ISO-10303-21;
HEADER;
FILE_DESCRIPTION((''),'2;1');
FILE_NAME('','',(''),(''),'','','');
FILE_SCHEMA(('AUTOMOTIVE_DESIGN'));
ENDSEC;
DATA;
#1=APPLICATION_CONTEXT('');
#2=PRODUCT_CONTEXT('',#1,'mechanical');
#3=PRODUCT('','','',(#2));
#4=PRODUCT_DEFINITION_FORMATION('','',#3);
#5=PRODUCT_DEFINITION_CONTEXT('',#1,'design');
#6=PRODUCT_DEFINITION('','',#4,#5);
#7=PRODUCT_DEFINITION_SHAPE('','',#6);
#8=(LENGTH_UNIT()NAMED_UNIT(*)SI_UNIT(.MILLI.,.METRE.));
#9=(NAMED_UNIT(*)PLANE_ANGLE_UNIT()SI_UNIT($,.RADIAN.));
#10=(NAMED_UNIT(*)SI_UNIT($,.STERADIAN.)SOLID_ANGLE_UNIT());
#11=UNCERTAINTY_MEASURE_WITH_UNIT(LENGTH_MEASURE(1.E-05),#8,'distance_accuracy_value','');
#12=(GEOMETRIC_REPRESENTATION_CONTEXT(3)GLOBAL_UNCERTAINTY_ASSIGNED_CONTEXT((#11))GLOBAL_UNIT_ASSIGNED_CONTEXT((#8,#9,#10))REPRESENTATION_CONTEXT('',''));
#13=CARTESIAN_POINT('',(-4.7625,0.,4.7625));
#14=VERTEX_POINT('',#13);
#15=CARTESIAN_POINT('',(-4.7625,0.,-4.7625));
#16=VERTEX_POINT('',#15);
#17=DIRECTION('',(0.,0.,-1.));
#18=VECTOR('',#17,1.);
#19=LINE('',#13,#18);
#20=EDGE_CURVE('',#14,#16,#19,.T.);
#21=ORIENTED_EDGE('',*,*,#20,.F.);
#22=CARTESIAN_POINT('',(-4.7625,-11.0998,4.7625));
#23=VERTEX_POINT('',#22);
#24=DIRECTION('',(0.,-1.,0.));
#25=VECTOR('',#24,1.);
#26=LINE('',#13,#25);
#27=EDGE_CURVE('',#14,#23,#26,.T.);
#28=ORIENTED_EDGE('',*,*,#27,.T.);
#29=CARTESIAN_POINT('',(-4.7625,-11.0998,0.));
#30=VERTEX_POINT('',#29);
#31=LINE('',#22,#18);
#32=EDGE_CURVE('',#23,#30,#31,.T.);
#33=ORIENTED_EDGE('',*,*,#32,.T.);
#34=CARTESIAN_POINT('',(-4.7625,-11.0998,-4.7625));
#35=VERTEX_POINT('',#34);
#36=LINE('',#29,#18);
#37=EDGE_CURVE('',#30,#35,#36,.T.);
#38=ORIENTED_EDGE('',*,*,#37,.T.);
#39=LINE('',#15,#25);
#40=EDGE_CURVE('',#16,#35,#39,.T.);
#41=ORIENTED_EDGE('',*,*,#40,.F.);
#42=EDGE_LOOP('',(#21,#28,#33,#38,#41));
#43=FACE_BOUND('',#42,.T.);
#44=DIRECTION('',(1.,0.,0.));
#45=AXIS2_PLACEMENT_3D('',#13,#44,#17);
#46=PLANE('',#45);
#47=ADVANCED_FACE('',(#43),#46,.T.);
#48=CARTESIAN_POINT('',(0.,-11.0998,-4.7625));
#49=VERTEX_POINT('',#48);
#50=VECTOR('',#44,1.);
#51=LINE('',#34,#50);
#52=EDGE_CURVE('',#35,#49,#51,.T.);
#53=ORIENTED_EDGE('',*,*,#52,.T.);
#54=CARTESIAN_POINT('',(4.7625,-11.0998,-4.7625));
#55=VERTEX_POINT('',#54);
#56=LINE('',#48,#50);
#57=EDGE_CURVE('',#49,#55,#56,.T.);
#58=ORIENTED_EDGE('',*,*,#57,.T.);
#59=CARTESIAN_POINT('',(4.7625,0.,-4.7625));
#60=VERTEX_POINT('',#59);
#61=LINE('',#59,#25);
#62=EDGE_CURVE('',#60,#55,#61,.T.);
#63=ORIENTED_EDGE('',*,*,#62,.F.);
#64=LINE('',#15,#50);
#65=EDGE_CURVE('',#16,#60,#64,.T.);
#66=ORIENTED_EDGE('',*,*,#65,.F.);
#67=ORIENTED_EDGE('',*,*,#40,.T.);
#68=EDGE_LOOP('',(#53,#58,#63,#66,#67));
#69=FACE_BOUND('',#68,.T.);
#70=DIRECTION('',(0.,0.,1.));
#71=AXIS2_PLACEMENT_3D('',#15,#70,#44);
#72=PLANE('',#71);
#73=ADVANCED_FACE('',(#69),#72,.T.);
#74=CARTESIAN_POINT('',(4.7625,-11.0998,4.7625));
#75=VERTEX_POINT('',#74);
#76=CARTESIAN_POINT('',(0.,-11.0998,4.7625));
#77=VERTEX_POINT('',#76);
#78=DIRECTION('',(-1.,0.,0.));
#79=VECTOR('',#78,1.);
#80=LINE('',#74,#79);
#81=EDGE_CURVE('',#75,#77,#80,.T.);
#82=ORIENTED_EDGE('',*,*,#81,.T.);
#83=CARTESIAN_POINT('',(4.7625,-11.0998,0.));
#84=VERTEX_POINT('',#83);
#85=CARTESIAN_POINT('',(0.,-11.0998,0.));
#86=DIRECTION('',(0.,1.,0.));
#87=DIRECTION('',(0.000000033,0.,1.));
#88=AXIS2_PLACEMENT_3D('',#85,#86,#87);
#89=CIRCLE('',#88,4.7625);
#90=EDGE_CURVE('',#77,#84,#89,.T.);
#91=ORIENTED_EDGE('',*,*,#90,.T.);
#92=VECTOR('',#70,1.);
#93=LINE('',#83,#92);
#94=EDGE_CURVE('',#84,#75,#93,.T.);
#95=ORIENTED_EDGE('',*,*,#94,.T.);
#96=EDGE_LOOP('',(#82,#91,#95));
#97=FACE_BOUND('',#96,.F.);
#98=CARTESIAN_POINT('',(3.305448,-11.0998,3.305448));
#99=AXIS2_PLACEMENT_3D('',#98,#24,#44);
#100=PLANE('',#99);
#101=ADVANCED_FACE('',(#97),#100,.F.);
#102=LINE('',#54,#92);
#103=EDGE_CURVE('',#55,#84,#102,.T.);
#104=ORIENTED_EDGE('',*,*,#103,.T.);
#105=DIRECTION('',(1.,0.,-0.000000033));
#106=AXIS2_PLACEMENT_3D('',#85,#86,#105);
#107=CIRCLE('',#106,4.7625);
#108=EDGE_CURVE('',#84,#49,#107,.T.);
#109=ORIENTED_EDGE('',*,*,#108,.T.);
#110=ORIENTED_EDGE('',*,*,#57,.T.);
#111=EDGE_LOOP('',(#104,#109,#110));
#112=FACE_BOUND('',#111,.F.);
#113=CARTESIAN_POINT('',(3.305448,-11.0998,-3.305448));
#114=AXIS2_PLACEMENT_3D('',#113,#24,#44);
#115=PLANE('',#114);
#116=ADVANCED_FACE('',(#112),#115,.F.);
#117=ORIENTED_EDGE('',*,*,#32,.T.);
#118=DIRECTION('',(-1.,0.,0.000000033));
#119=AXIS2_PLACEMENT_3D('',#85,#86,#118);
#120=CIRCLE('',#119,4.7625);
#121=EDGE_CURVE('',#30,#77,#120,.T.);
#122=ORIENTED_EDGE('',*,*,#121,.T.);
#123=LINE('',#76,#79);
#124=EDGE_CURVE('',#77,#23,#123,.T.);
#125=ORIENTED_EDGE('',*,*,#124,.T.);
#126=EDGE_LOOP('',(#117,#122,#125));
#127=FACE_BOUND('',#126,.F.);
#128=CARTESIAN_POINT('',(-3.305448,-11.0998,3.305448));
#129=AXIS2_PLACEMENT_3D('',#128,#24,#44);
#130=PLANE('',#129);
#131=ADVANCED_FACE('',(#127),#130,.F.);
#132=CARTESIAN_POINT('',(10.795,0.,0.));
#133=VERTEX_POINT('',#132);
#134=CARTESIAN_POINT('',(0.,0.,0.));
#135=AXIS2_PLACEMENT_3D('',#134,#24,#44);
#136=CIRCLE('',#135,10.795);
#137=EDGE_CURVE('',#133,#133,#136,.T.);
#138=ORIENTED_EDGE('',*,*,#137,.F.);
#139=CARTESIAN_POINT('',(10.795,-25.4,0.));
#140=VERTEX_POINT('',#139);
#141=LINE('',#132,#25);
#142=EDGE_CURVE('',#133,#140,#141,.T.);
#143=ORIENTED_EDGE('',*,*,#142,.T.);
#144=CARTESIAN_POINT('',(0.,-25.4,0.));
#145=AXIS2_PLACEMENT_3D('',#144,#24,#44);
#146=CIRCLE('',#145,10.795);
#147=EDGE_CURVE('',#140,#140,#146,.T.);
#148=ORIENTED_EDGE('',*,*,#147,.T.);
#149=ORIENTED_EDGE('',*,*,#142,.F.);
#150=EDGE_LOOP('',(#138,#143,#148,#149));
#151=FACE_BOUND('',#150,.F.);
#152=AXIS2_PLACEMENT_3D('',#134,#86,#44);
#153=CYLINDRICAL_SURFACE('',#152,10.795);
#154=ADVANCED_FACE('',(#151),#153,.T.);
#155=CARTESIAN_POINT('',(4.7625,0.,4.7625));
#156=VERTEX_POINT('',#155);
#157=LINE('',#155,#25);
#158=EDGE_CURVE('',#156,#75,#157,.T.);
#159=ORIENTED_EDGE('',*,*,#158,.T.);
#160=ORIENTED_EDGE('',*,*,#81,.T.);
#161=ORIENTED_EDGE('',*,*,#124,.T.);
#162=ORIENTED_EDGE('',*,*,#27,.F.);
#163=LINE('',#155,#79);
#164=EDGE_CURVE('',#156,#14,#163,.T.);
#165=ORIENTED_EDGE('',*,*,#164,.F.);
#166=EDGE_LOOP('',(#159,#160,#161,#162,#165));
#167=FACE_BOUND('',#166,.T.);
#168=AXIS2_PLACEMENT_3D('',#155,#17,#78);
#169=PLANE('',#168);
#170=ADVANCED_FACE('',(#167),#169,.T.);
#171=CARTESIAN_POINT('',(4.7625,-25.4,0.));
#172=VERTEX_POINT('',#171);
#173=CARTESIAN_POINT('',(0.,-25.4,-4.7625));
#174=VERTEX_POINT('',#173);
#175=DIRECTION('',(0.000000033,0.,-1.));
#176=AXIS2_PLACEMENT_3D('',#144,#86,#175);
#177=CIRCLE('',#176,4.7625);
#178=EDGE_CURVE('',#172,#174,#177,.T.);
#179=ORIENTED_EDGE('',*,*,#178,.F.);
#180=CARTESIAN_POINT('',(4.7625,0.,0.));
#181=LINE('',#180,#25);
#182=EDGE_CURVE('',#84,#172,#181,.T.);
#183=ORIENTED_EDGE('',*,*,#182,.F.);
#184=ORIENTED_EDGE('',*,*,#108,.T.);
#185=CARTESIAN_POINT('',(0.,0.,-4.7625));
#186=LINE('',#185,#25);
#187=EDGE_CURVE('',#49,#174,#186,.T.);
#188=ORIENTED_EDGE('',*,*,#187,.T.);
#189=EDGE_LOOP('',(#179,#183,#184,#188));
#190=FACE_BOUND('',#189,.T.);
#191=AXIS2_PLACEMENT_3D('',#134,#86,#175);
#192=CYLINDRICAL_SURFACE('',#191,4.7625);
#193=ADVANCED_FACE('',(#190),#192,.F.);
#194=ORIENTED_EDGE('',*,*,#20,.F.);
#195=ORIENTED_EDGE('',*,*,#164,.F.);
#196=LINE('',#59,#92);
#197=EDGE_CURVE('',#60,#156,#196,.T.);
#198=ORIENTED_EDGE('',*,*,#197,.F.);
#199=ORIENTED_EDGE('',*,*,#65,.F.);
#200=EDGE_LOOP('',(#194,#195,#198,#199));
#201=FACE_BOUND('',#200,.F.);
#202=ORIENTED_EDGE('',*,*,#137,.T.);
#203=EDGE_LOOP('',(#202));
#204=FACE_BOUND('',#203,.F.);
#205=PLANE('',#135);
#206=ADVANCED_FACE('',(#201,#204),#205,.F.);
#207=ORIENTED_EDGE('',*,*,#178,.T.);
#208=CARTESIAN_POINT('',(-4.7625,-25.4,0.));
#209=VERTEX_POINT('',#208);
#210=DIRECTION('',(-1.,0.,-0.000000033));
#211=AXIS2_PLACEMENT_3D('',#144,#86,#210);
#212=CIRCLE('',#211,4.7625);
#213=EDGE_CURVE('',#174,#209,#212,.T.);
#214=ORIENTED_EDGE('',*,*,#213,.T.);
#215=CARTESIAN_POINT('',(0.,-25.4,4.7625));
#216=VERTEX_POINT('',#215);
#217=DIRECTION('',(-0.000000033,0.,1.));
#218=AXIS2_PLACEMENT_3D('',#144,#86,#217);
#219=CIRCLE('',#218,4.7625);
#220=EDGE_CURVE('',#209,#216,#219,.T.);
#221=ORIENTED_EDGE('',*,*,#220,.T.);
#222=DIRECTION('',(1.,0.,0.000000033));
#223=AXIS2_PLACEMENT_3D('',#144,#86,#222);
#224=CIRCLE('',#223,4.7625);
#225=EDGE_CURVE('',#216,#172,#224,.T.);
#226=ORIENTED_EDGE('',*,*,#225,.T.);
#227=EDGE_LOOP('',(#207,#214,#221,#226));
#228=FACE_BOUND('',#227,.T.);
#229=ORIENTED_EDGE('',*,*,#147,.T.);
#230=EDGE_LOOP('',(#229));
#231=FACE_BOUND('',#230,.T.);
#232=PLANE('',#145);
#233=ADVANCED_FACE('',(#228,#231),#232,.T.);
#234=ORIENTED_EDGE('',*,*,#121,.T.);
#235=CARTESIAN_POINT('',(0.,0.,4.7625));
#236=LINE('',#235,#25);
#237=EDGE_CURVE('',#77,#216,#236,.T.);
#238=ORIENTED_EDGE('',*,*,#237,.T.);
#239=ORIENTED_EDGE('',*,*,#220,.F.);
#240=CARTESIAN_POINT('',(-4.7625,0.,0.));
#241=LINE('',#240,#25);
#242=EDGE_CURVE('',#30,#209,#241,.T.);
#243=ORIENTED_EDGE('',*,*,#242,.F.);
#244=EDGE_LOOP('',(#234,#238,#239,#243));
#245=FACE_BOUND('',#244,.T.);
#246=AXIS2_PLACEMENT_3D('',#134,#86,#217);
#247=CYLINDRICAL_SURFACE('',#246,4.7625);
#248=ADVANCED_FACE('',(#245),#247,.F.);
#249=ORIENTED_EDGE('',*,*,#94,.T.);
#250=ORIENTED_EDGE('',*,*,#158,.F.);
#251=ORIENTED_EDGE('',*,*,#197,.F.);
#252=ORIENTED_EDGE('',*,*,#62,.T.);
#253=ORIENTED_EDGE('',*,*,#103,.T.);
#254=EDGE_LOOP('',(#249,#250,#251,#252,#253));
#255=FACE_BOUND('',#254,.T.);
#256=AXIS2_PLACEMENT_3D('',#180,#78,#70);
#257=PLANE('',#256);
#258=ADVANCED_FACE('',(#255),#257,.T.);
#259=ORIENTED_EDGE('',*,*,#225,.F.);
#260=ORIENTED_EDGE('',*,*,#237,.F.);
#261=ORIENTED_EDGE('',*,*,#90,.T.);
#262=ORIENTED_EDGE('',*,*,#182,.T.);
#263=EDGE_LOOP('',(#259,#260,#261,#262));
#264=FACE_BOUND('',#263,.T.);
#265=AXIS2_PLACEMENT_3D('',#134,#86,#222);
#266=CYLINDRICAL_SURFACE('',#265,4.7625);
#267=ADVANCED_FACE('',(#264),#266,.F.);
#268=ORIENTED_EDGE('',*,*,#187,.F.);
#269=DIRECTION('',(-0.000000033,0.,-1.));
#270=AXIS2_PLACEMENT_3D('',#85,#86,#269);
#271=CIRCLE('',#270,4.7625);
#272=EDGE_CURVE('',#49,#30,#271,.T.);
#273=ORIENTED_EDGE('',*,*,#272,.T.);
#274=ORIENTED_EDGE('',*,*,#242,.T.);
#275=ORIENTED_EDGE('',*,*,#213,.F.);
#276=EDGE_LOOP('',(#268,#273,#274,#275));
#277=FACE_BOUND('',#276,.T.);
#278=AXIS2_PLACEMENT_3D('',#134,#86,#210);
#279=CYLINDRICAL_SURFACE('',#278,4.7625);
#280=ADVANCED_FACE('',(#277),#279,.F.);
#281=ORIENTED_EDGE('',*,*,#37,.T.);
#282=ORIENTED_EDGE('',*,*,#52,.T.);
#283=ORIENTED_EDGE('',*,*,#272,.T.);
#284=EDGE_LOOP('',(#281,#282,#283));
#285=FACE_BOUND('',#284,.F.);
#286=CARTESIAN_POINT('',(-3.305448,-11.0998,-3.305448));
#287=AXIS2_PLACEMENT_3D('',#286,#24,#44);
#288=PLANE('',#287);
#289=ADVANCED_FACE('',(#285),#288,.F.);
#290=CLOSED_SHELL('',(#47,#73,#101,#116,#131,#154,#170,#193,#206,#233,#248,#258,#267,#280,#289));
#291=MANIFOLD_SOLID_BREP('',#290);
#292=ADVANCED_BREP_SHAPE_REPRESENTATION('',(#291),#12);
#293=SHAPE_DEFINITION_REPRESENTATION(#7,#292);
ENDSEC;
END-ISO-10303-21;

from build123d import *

# Parameters (mm, degrees)
F0_R     = 10.795
F1_DEPTH = 25.4
F3_DEPTH = 25.401
F4_DEPTH = 11.0998


with BuildPart() as f1:
    # F0 (on Front) → F1 (new body)
    with BuildSketch(Plane.XZ):
        Circle(F0_R)
    extrude(amount=F1_DEPTH)

    # F2 (on Front) → F3 (cut, through all)
    with BuildSketch(Plane.XZ):
        with BuildLine():
            ThreePointArc((4.7625, 0), (3.367596, 3.367596), (0, 4.7625))
            ThreePointArc((0, 4.7625), (-3.367596, 3.367596), (-4.7625, 0))
            ThreePointArc((-4.7625, 0), (-3.367596, -3.367596), (0, -4.7625))
            ThreePointArc((0, -4.7625), (3.367596, -3.367596), (4.7625, 0))
        make_face()
    extrude(amount=F3_DEPTH, mode=Mode.SUBTRACT)

    # F2 (on Front) → F4 (cut)
    with BuildSketch(Plane.XZ):
        with BuildLine():
            Line((4.7625, 0), (4.7625, 4.7625))
            Line((4.7625, 4.7625), (0, 4.7625))
            ThreePointArc((0, 4.7625), (3.367596, 3.367596), (4.7625, 0))
        make_face()
        with BuildLine():
            ThreePointArc((-4.7625, 0), (-3.367596, 3.367596), (0, 4.7625))
            Line((0, 4.7625), (-4.7625, 4.7625))
            Line((-4.7625, 4.7625), (-4.7625, 0))
        make_face()
        with BuildLine():
            Line((4.7625, -4.7625), (4.7625, 0))
            ThreePointArc((4.7625, 0), (3.367596, -3.367596), (0, -4.7625))
            Line((0, -4.7625), (4.7625, -4.7625))
        make_face()
        with BuildLine():
            ThreePointArc((0, -4.7625), (-3.367596, -3.367596), (-4.7625, 0))
            Line((-4.7625, 0), (-4.7625, -4.7625))
            Line((-4.7625, -4.7625), (0, -4.7625))
        make_face()
    extrude(amount=F4_DEPTH, mode=Mode.SUBTRACT)


solid = f1.part
